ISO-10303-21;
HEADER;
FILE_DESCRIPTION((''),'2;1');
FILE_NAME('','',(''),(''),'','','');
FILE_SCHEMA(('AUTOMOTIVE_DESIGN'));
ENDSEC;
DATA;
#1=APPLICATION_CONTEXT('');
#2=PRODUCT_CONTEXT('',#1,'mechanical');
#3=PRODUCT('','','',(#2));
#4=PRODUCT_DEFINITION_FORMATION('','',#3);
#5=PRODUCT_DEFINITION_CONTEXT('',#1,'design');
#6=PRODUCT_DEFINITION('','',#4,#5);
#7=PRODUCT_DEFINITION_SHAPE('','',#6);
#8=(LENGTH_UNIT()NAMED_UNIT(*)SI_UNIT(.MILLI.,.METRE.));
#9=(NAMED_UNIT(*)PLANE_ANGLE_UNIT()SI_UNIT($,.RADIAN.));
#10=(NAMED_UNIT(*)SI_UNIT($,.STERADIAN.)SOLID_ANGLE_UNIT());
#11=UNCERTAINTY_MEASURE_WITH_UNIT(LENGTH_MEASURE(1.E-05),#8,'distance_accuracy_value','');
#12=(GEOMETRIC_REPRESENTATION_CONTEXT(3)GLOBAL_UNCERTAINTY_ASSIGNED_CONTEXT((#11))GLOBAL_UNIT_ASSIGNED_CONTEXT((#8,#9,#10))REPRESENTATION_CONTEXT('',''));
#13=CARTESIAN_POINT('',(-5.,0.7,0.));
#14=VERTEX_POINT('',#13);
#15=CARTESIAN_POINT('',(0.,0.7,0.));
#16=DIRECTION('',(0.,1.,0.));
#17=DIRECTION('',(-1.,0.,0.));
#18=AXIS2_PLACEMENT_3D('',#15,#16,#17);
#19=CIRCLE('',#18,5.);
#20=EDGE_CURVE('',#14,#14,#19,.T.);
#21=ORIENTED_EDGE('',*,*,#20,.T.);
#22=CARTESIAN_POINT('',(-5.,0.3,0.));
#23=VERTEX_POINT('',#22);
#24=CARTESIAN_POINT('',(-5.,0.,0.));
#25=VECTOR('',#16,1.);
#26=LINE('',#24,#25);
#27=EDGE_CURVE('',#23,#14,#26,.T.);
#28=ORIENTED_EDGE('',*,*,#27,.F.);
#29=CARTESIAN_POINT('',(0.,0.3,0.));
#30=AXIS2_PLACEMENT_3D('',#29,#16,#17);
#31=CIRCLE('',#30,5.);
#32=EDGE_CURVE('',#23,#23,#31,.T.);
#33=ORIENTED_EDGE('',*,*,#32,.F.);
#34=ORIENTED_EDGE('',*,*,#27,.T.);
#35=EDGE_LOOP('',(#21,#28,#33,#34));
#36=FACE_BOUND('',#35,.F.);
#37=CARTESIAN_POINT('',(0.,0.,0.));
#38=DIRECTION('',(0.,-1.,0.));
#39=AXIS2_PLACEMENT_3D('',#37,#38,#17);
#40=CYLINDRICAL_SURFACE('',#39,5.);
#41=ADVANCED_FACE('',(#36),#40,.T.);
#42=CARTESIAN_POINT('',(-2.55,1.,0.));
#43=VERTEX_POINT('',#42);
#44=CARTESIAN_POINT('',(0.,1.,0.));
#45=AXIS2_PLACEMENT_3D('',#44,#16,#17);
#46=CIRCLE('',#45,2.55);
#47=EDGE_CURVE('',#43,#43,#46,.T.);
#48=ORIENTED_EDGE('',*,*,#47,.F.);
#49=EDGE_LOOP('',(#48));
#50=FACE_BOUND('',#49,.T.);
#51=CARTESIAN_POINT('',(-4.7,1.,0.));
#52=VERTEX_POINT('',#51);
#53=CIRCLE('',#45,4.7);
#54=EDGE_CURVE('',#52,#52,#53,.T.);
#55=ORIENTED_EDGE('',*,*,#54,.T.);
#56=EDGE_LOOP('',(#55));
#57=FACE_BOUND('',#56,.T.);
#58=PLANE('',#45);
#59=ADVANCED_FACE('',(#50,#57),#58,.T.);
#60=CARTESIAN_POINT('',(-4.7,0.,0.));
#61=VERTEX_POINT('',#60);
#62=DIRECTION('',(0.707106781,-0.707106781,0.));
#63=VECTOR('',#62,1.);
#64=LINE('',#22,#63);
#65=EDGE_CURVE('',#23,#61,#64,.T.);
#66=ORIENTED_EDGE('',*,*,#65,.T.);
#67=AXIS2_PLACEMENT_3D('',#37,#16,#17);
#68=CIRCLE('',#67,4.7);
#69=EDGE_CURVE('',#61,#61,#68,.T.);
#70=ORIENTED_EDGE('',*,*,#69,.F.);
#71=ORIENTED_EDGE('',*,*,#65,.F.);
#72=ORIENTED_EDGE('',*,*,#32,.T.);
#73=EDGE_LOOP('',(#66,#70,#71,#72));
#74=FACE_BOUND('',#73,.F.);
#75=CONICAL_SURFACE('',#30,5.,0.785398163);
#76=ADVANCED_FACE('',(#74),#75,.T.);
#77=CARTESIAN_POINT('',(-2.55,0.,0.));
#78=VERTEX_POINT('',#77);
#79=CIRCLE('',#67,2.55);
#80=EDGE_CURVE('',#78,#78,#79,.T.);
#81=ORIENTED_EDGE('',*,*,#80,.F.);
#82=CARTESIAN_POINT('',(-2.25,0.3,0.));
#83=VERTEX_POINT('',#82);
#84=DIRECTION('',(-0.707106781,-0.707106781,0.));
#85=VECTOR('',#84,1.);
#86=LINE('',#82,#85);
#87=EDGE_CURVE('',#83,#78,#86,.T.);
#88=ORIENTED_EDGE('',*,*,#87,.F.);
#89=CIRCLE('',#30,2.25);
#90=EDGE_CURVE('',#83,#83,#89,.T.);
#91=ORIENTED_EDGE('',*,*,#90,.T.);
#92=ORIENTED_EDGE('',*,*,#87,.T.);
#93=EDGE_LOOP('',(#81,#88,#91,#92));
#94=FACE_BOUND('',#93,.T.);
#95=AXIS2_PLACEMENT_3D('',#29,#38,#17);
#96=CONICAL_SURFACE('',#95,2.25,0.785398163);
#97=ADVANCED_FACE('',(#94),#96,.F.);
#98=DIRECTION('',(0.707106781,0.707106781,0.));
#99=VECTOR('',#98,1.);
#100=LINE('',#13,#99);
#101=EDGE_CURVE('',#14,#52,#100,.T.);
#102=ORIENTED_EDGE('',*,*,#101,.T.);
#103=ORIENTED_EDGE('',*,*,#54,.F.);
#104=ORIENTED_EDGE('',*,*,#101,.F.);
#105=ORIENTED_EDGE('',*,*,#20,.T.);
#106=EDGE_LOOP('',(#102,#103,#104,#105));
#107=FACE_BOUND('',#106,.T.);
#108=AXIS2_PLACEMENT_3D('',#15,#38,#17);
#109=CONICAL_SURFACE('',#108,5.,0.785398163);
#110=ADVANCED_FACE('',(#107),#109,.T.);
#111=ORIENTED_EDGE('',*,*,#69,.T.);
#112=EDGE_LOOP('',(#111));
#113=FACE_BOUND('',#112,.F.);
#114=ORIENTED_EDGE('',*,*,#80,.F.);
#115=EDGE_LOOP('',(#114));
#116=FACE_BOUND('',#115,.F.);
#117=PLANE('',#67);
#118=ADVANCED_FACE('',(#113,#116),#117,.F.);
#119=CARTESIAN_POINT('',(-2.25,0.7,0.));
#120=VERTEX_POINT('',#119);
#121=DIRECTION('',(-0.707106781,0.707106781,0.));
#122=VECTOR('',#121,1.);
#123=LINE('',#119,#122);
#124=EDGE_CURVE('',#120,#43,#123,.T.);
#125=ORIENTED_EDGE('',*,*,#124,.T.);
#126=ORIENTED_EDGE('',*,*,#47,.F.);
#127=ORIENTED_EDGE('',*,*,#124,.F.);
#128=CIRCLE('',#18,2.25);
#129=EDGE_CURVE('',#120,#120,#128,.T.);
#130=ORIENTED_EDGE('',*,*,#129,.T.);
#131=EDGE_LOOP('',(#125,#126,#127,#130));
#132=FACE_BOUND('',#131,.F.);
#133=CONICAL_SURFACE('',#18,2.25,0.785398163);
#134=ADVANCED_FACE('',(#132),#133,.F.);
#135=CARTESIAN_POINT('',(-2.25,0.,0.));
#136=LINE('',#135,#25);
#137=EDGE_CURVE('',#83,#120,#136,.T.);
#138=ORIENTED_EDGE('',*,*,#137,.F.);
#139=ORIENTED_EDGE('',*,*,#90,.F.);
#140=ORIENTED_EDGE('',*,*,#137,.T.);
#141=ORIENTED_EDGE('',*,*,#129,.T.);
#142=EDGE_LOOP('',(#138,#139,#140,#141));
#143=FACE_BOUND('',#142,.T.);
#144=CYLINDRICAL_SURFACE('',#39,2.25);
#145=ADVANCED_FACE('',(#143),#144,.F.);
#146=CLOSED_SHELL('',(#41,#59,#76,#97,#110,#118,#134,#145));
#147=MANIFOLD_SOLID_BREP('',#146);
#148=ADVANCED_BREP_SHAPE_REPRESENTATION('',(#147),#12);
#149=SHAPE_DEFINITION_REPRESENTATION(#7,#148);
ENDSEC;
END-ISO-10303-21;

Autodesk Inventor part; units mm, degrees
ref_plane "YZ Plane" through (0, 0, 0) normal (1, 0, 0) x (0, 1, 0)
ref_plane "XZ Plane" through (0, 0, 0) normal (0, 1, 0) x (-1, 0, 0)
ref_plane "XY Plane" through (0, 0, 0) normal (0, 0, 1) x (1, 0, 0)
sketch "Boceto1" plane through (0, 0, 0) normal (0, 1, 0) x (-1, 0, 0)
  circle A0 centre (0, 0) radius 5
  circle A1 centre (0, 0) radius 2.25
  dimension "d0" = 10
  dimension "d1" = 4.5
extrude "Extrusión1" add sketch "Boceto1" along normal blind 1
chamfer "Chaflán1" distance 0.3 angle 45 4 edges at (2.25, 1, 0) (2.25, 0, 0) (5, 1, 0) (5, 0, 0)
properties part number "FALSA ARANDELA" material "Plástico ABS"
